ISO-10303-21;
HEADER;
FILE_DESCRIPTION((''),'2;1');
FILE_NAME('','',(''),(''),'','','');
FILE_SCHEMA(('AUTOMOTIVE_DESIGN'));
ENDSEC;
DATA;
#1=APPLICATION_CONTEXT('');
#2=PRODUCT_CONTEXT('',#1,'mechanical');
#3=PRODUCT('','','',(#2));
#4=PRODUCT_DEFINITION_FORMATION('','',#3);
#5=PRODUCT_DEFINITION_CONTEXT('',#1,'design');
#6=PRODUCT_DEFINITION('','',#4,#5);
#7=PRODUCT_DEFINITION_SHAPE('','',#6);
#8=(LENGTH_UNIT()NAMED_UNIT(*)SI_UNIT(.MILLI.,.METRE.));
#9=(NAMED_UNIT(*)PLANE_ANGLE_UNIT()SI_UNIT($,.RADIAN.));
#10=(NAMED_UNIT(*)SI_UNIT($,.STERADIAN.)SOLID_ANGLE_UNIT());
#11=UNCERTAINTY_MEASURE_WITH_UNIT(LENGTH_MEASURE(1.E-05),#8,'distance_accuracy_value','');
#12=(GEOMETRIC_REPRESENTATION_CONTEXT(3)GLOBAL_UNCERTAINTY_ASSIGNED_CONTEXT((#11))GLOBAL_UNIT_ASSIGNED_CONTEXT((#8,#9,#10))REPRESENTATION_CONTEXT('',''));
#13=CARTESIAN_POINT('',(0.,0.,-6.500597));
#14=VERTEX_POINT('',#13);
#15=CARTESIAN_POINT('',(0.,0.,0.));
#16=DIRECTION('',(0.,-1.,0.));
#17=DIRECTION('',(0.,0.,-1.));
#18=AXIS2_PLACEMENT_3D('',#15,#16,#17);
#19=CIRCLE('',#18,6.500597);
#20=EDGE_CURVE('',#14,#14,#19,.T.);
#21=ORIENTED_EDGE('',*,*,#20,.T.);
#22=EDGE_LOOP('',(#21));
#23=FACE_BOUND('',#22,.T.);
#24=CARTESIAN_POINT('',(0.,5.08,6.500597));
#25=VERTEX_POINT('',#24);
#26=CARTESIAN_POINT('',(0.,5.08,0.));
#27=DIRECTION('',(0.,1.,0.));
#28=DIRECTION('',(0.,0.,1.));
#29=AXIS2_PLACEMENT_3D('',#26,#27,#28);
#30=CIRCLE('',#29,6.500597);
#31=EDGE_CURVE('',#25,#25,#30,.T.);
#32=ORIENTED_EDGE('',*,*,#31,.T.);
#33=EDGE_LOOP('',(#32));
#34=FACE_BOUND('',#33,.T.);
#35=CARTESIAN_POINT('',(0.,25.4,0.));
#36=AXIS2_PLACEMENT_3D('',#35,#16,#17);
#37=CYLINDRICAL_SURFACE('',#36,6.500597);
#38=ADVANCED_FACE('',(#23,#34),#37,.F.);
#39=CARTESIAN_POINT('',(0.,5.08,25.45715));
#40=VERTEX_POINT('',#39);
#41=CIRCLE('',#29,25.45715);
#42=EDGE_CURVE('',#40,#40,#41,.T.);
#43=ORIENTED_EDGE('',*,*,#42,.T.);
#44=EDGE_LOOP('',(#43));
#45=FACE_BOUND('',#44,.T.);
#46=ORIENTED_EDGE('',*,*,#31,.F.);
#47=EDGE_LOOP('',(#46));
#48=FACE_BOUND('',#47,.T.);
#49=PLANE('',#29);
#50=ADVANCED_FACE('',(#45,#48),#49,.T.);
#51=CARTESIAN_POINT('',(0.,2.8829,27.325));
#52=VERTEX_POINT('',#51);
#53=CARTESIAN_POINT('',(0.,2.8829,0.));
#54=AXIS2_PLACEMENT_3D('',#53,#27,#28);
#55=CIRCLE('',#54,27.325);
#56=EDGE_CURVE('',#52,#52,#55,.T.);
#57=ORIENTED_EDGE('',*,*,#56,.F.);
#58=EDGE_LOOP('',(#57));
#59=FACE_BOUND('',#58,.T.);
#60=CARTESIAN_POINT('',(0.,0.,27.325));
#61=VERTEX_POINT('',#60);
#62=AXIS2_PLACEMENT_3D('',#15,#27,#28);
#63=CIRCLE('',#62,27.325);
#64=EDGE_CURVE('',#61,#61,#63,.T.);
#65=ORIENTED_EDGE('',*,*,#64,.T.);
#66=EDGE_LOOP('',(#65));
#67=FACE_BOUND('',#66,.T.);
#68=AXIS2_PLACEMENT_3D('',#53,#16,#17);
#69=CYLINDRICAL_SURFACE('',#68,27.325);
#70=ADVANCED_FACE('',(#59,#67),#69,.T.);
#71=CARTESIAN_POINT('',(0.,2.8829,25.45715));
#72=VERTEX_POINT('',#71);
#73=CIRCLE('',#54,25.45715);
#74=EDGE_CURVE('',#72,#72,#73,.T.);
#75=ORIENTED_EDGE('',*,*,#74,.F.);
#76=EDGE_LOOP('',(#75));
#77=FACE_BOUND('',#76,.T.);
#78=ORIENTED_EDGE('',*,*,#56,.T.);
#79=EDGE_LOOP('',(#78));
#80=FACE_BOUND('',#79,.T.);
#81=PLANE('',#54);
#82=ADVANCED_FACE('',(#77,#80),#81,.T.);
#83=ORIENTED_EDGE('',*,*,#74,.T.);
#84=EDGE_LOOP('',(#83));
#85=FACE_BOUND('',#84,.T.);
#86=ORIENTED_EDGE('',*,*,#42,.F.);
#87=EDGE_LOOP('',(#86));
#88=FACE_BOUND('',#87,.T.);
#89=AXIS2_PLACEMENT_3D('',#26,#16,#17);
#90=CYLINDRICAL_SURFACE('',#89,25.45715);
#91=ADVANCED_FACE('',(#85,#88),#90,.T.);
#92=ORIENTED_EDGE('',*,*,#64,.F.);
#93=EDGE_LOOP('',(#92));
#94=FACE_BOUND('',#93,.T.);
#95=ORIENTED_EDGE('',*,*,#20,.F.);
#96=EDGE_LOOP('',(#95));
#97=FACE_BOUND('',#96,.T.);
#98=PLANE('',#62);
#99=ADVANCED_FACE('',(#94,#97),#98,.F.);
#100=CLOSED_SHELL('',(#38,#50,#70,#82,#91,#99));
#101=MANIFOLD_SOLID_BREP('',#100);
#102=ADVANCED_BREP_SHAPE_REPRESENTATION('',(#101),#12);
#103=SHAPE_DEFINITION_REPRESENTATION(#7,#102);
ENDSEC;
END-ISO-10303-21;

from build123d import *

# Parameters (mm, degrees)
SKETCH1_R           = 27.325
BOSS_EXTRUDE1_DEPTH = 2.8829
SKETCH2_R           = 25.45715
BOSS_EXTRUDE2_DEPTH = 2.1971
SKETCH6_R           = 6.500596607
CUT_EXTRUDE1_DEPTH  = 25.4


with BuildPart() as part:
    # Sketch1 → Boss-Extrude1 (new body)
    with BuildSketch(Plane(origin=(0, 0, 0), x_dir=(1, 0, 0), z_dir=(0, 1, 0))):
        Circle(SKETCH1_R)
    extrude(amount=BOSS_EXTRUDE1_DEPTH)

    # Sketch2 → Boss-Extrude2 (add)
    with BuildSketch(Plane(origin=(0, 2.8829, 0), x_dir=(1, 0, 0), z_dir=(0, 1, 0))):
        Circle(SKETCH2_R)
    extrude(amount=BOSS_EXTRUDE2_DEPTH)

    # Sketch6 → Cut-Extrude1 (cut)
    with BuildSketch(Plane.XZ):
        Circle(SKETCH6_R)
    extrude(amount=-CUT_EXTRUDE1_DEPTH, mode=Mode.SUBTRACT)


solid = part.part
